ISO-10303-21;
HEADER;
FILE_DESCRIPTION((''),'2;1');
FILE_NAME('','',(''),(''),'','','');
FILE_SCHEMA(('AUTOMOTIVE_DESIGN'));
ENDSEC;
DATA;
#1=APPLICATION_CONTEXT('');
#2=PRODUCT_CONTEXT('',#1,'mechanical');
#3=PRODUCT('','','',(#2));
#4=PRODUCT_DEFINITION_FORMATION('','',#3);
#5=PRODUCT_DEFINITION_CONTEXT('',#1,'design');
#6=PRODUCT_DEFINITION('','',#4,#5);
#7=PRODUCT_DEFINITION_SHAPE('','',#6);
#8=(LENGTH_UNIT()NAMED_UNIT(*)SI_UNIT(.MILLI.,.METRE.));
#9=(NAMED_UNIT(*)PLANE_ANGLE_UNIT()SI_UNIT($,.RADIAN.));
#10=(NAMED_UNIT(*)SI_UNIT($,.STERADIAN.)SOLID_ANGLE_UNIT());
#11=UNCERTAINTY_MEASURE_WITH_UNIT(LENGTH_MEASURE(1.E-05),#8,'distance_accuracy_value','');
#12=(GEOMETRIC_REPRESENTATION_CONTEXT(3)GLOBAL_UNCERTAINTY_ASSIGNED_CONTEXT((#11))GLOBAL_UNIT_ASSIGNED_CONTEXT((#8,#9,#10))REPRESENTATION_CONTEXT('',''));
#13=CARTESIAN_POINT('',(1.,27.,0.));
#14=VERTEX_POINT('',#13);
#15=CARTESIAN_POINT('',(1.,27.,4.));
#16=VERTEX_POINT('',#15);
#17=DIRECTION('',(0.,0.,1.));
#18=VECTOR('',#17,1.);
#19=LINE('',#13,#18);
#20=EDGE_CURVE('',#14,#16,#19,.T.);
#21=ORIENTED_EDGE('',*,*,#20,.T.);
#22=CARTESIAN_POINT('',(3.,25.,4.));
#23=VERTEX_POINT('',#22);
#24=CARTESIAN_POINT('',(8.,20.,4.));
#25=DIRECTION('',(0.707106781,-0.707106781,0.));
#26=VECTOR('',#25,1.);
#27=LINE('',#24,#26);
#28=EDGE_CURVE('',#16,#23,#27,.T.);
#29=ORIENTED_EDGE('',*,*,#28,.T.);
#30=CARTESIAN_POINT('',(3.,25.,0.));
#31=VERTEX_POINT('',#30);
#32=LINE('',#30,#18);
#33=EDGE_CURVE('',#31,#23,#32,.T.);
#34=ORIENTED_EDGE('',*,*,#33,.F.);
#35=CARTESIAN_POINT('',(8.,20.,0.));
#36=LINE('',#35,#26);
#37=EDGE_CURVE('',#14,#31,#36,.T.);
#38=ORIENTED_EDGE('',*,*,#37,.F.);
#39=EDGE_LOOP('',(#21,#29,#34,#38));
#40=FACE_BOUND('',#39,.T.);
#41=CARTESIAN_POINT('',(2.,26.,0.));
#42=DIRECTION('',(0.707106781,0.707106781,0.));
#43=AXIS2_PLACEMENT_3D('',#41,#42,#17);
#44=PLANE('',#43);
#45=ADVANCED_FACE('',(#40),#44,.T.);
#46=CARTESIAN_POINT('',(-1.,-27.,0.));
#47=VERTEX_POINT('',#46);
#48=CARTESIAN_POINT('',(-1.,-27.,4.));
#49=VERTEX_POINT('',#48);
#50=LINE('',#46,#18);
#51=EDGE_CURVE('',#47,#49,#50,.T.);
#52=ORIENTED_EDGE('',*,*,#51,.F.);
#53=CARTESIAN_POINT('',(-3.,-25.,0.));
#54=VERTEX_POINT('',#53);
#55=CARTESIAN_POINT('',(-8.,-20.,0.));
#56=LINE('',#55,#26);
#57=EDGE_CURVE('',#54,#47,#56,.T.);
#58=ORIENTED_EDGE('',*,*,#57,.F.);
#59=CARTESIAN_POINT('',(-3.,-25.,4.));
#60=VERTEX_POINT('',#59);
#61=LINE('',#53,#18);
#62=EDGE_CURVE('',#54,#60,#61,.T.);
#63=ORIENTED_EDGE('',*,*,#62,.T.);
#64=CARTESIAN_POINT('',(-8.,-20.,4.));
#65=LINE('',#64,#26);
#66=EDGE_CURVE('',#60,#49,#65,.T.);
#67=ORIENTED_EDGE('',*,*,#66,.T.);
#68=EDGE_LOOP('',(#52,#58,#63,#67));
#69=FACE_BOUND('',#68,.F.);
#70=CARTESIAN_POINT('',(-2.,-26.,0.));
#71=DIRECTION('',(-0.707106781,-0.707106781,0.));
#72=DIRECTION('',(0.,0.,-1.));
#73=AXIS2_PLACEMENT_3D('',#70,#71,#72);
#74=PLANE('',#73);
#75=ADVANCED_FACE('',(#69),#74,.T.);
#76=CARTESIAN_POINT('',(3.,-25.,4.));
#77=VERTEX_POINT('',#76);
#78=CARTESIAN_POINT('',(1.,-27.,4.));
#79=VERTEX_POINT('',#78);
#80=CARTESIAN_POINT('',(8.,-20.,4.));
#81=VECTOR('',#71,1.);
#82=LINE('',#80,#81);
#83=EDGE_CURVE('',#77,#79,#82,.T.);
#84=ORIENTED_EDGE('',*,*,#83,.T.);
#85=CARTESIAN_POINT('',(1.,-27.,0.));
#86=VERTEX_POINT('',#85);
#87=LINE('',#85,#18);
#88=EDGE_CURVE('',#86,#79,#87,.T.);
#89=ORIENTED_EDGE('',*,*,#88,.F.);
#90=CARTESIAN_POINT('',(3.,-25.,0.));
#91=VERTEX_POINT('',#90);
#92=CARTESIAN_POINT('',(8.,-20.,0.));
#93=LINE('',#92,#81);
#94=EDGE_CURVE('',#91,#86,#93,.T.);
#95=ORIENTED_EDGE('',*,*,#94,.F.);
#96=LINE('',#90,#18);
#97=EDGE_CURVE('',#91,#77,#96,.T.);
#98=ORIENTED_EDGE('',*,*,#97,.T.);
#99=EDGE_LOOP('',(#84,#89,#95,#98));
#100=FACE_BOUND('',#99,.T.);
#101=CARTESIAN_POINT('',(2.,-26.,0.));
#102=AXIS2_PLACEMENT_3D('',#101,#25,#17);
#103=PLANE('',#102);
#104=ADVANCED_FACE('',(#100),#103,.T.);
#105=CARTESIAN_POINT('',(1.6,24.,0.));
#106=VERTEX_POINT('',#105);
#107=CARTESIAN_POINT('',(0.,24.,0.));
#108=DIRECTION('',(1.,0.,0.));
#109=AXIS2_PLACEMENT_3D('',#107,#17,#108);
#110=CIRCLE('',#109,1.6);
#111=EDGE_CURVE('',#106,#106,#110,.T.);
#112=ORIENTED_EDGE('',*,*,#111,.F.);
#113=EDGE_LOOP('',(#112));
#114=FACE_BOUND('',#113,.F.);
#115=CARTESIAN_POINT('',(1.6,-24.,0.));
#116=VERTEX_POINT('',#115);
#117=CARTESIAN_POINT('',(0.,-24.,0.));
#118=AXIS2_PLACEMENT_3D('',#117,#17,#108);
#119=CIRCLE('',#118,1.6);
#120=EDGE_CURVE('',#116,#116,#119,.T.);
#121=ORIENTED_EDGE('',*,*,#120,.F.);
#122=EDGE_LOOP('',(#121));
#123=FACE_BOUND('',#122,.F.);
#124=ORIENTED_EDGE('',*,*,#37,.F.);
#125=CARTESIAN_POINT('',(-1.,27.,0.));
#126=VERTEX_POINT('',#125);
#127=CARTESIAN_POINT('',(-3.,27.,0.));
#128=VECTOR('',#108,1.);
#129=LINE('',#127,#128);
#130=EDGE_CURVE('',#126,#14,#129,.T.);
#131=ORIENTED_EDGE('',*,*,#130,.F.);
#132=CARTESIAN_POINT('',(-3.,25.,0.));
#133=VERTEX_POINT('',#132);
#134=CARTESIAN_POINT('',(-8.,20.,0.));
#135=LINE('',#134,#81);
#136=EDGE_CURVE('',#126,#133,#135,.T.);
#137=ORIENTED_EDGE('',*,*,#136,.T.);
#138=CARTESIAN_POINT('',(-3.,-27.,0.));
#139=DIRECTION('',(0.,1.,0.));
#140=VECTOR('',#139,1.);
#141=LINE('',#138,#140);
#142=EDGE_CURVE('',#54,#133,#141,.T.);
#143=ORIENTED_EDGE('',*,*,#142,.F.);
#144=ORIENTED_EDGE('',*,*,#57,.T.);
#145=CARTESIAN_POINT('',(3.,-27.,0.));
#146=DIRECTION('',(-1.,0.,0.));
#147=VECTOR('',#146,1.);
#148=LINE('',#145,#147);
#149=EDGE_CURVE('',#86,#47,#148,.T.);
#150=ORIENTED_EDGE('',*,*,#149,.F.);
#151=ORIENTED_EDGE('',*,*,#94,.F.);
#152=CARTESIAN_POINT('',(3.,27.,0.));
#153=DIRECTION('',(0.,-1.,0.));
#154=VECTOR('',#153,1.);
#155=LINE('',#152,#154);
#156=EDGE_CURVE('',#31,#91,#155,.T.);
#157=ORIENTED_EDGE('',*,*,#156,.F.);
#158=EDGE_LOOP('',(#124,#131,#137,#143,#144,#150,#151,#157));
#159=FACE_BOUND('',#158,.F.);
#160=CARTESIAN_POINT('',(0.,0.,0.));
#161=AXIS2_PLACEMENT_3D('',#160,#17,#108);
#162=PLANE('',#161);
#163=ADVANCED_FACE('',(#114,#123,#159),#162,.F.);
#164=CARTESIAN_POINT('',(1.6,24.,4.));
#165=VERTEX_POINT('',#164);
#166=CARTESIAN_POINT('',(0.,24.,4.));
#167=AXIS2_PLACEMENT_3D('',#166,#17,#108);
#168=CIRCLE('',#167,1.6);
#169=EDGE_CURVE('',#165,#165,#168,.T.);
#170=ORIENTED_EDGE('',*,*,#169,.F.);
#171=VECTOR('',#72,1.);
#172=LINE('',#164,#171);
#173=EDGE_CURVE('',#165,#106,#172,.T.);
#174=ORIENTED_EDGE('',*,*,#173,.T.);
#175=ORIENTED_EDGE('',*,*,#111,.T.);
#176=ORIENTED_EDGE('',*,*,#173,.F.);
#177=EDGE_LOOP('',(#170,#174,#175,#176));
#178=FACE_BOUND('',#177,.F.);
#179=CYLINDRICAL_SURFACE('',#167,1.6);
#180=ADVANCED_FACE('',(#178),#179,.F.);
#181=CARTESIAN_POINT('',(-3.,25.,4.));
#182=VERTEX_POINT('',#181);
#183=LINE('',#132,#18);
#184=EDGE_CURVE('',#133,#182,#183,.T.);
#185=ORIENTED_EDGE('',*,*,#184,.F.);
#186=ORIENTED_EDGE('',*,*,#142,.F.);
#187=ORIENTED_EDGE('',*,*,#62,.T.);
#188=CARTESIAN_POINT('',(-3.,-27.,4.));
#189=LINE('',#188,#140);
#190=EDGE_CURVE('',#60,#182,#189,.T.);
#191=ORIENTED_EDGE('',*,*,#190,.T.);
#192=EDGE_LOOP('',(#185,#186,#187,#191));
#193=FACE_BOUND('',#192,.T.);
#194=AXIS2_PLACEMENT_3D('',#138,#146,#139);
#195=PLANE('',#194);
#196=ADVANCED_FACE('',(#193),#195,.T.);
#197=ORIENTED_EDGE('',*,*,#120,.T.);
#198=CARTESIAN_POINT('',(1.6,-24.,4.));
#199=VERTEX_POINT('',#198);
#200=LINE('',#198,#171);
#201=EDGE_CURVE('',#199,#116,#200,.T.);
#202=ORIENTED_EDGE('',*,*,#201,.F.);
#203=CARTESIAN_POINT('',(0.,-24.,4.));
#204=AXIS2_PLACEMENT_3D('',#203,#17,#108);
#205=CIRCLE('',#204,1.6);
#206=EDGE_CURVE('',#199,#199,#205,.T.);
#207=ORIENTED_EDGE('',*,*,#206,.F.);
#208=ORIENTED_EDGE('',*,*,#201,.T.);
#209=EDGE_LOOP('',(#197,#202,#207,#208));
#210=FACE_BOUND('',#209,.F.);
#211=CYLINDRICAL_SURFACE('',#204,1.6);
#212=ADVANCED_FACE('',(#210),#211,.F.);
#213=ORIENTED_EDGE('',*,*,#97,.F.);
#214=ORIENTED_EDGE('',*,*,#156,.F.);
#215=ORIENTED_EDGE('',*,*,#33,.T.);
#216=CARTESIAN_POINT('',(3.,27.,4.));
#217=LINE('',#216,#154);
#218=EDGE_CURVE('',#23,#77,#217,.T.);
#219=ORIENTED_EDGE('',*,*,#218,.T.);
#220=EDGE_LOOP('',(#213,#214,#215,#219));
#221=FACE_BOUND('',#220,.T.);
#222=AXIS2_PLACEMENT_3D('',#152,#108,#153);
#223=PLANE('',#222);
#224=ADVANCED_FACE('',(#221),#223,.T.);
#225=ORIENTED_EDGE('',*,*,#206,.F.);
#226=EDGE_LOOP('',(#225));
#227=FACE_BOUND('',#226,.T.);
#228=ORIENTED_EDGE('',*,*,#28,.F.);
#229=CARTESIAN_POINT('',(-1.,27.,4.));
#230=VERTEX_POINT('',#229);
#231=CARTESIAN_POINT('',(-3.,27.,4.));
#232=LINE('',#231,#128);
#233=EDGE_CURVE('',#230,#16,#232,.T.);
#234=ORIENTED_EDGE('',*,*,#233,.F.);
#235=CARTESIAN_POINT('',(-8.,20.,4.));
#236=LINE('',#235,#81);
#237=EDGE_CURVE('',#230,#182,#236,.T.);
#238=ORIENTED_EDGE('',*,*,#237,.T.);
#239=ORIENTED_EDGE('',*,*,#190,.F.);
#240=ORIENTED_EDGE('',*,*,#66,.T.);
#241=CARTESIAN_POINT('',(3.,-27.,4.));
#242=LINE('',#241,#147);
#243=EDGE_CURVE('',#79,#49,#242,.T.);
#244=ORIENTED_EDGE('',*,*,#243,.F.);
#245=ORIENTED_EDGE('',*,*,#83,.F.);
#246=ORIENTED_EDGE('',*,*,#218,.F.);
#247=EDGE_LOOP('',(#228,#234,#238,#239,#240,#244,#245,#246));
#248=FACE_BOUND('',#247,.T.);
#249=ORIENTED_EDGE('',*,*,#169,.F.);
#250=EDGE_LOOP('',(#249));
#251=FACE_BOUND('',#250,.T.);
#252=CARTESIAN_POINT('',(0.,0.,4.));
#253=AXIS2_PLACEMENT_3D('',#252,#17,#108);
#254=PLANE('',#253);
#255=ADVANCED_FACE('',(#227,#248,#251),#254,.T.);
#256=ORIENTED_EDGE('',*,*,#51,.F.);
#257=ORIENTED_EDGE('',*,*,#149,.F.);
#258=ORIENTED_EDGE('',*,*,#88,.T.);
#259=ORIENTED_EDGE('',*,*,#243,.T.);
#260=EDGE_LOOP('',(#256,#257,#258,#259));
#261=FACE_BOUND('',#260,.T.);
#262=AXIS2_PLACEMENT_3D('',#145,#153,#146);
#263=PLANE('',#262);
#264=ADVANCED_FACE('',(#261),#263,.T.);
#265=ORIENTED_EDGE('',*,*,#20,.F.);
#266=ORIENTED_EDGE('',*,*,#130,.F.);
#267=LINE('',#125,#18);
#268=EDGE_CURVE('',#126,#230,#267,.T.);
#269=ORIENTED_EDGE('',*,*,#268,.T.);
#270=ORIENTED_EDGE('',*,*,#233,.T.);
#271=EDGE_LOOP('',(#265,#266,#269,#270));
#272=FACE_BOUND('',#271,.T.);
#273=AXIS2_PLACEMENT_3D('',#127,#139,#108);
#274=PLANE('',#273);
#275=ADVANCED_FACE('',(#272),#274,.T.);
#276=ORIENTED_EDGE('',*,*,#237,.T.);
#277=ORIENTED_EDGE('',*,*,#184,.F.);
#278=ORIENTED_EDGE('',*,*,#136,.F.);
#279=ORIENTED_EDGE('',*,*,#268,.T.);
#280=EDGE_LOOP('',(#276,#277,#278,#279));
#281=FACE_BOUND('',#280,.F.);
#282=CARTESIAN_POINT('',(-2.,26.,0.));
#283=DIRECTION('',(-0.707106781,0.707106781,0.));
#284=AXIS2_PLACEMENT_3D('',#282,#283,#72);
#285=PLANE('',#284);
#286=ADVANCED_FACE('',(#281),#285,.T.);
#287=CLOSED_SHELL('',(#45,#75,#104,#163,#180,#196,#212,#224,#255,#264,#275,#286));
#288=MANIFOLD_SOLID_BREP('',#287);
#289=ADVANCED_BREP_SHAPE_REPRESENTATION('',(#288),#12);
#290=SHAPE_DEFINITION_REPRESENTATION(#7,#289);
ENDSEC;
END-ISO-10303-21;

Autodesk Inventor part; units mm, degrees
ref_plane "YZ Plane" through (0, 0, 0) normal (1, 0, 0) x (0, 1, 0)
ref_plane "XZ Plane" through (0, 0, 0) normal (0, 1, 0) x (-1, 0, 0)
ref_plane "XY Plane" through (0, 0, 0) normal (0, 0, 1) x (1, 0, 0)
sketch "스케치1" plane through (0, 0, 0) normal (0, 0, 1) x (1, 0, 0)
  line L0 (-3, 27) -> (3, 27)
  line L1 (3, 27) -> (3, -27)
  line L2 (3, -27) -> (-3, -27)
  line L3 (-3, -27) -> (-3, 27)
  point P0 (0, 0)
  dimension "d0" = 6
  dimension "d1" = 54
  dimension "d3" = 3
  dimension "d4" = 27
extrude "돌출1" add sketch "스케치1" along normal blind 4
sketch "스케치2" plane through (0, 0, 4) normal (0, 0, 1) x (1, 0, 0)
  line L0 (3, 27) -> (-3, 27) projected
  line L1 (-3, 27) -> (-3, -27) projected
  line L2 (-3, -27) -> (3, -27) projected
  line L3 (3, -27) -> (3, 27) projected
  circle A0 centre (0, 24) radius 1.6
  circle A1 centre (0, -24) radius 1.6
  point P0 (0, 0)
  dimension "d7" = 3.2
  dimension "d8" = 3.2
  dimension "d9" = 3
  dimension "d10" = 3
  dimension "d11" = 3
  dimension "d12" = 3
extrude "돌출2" cut sketch "스케치2" against normal up to next contours A0 | A1
chamfer "모따기1" distance 2 angle 45 4 edges at (3, 27, 2) (-3, 27, 2) (-3, -27, 2) (3, -27, 2)
equation "\"d4\" = 0.5 * d1"
properties part number "큰모터서포터" material "알루미늄 6061"
